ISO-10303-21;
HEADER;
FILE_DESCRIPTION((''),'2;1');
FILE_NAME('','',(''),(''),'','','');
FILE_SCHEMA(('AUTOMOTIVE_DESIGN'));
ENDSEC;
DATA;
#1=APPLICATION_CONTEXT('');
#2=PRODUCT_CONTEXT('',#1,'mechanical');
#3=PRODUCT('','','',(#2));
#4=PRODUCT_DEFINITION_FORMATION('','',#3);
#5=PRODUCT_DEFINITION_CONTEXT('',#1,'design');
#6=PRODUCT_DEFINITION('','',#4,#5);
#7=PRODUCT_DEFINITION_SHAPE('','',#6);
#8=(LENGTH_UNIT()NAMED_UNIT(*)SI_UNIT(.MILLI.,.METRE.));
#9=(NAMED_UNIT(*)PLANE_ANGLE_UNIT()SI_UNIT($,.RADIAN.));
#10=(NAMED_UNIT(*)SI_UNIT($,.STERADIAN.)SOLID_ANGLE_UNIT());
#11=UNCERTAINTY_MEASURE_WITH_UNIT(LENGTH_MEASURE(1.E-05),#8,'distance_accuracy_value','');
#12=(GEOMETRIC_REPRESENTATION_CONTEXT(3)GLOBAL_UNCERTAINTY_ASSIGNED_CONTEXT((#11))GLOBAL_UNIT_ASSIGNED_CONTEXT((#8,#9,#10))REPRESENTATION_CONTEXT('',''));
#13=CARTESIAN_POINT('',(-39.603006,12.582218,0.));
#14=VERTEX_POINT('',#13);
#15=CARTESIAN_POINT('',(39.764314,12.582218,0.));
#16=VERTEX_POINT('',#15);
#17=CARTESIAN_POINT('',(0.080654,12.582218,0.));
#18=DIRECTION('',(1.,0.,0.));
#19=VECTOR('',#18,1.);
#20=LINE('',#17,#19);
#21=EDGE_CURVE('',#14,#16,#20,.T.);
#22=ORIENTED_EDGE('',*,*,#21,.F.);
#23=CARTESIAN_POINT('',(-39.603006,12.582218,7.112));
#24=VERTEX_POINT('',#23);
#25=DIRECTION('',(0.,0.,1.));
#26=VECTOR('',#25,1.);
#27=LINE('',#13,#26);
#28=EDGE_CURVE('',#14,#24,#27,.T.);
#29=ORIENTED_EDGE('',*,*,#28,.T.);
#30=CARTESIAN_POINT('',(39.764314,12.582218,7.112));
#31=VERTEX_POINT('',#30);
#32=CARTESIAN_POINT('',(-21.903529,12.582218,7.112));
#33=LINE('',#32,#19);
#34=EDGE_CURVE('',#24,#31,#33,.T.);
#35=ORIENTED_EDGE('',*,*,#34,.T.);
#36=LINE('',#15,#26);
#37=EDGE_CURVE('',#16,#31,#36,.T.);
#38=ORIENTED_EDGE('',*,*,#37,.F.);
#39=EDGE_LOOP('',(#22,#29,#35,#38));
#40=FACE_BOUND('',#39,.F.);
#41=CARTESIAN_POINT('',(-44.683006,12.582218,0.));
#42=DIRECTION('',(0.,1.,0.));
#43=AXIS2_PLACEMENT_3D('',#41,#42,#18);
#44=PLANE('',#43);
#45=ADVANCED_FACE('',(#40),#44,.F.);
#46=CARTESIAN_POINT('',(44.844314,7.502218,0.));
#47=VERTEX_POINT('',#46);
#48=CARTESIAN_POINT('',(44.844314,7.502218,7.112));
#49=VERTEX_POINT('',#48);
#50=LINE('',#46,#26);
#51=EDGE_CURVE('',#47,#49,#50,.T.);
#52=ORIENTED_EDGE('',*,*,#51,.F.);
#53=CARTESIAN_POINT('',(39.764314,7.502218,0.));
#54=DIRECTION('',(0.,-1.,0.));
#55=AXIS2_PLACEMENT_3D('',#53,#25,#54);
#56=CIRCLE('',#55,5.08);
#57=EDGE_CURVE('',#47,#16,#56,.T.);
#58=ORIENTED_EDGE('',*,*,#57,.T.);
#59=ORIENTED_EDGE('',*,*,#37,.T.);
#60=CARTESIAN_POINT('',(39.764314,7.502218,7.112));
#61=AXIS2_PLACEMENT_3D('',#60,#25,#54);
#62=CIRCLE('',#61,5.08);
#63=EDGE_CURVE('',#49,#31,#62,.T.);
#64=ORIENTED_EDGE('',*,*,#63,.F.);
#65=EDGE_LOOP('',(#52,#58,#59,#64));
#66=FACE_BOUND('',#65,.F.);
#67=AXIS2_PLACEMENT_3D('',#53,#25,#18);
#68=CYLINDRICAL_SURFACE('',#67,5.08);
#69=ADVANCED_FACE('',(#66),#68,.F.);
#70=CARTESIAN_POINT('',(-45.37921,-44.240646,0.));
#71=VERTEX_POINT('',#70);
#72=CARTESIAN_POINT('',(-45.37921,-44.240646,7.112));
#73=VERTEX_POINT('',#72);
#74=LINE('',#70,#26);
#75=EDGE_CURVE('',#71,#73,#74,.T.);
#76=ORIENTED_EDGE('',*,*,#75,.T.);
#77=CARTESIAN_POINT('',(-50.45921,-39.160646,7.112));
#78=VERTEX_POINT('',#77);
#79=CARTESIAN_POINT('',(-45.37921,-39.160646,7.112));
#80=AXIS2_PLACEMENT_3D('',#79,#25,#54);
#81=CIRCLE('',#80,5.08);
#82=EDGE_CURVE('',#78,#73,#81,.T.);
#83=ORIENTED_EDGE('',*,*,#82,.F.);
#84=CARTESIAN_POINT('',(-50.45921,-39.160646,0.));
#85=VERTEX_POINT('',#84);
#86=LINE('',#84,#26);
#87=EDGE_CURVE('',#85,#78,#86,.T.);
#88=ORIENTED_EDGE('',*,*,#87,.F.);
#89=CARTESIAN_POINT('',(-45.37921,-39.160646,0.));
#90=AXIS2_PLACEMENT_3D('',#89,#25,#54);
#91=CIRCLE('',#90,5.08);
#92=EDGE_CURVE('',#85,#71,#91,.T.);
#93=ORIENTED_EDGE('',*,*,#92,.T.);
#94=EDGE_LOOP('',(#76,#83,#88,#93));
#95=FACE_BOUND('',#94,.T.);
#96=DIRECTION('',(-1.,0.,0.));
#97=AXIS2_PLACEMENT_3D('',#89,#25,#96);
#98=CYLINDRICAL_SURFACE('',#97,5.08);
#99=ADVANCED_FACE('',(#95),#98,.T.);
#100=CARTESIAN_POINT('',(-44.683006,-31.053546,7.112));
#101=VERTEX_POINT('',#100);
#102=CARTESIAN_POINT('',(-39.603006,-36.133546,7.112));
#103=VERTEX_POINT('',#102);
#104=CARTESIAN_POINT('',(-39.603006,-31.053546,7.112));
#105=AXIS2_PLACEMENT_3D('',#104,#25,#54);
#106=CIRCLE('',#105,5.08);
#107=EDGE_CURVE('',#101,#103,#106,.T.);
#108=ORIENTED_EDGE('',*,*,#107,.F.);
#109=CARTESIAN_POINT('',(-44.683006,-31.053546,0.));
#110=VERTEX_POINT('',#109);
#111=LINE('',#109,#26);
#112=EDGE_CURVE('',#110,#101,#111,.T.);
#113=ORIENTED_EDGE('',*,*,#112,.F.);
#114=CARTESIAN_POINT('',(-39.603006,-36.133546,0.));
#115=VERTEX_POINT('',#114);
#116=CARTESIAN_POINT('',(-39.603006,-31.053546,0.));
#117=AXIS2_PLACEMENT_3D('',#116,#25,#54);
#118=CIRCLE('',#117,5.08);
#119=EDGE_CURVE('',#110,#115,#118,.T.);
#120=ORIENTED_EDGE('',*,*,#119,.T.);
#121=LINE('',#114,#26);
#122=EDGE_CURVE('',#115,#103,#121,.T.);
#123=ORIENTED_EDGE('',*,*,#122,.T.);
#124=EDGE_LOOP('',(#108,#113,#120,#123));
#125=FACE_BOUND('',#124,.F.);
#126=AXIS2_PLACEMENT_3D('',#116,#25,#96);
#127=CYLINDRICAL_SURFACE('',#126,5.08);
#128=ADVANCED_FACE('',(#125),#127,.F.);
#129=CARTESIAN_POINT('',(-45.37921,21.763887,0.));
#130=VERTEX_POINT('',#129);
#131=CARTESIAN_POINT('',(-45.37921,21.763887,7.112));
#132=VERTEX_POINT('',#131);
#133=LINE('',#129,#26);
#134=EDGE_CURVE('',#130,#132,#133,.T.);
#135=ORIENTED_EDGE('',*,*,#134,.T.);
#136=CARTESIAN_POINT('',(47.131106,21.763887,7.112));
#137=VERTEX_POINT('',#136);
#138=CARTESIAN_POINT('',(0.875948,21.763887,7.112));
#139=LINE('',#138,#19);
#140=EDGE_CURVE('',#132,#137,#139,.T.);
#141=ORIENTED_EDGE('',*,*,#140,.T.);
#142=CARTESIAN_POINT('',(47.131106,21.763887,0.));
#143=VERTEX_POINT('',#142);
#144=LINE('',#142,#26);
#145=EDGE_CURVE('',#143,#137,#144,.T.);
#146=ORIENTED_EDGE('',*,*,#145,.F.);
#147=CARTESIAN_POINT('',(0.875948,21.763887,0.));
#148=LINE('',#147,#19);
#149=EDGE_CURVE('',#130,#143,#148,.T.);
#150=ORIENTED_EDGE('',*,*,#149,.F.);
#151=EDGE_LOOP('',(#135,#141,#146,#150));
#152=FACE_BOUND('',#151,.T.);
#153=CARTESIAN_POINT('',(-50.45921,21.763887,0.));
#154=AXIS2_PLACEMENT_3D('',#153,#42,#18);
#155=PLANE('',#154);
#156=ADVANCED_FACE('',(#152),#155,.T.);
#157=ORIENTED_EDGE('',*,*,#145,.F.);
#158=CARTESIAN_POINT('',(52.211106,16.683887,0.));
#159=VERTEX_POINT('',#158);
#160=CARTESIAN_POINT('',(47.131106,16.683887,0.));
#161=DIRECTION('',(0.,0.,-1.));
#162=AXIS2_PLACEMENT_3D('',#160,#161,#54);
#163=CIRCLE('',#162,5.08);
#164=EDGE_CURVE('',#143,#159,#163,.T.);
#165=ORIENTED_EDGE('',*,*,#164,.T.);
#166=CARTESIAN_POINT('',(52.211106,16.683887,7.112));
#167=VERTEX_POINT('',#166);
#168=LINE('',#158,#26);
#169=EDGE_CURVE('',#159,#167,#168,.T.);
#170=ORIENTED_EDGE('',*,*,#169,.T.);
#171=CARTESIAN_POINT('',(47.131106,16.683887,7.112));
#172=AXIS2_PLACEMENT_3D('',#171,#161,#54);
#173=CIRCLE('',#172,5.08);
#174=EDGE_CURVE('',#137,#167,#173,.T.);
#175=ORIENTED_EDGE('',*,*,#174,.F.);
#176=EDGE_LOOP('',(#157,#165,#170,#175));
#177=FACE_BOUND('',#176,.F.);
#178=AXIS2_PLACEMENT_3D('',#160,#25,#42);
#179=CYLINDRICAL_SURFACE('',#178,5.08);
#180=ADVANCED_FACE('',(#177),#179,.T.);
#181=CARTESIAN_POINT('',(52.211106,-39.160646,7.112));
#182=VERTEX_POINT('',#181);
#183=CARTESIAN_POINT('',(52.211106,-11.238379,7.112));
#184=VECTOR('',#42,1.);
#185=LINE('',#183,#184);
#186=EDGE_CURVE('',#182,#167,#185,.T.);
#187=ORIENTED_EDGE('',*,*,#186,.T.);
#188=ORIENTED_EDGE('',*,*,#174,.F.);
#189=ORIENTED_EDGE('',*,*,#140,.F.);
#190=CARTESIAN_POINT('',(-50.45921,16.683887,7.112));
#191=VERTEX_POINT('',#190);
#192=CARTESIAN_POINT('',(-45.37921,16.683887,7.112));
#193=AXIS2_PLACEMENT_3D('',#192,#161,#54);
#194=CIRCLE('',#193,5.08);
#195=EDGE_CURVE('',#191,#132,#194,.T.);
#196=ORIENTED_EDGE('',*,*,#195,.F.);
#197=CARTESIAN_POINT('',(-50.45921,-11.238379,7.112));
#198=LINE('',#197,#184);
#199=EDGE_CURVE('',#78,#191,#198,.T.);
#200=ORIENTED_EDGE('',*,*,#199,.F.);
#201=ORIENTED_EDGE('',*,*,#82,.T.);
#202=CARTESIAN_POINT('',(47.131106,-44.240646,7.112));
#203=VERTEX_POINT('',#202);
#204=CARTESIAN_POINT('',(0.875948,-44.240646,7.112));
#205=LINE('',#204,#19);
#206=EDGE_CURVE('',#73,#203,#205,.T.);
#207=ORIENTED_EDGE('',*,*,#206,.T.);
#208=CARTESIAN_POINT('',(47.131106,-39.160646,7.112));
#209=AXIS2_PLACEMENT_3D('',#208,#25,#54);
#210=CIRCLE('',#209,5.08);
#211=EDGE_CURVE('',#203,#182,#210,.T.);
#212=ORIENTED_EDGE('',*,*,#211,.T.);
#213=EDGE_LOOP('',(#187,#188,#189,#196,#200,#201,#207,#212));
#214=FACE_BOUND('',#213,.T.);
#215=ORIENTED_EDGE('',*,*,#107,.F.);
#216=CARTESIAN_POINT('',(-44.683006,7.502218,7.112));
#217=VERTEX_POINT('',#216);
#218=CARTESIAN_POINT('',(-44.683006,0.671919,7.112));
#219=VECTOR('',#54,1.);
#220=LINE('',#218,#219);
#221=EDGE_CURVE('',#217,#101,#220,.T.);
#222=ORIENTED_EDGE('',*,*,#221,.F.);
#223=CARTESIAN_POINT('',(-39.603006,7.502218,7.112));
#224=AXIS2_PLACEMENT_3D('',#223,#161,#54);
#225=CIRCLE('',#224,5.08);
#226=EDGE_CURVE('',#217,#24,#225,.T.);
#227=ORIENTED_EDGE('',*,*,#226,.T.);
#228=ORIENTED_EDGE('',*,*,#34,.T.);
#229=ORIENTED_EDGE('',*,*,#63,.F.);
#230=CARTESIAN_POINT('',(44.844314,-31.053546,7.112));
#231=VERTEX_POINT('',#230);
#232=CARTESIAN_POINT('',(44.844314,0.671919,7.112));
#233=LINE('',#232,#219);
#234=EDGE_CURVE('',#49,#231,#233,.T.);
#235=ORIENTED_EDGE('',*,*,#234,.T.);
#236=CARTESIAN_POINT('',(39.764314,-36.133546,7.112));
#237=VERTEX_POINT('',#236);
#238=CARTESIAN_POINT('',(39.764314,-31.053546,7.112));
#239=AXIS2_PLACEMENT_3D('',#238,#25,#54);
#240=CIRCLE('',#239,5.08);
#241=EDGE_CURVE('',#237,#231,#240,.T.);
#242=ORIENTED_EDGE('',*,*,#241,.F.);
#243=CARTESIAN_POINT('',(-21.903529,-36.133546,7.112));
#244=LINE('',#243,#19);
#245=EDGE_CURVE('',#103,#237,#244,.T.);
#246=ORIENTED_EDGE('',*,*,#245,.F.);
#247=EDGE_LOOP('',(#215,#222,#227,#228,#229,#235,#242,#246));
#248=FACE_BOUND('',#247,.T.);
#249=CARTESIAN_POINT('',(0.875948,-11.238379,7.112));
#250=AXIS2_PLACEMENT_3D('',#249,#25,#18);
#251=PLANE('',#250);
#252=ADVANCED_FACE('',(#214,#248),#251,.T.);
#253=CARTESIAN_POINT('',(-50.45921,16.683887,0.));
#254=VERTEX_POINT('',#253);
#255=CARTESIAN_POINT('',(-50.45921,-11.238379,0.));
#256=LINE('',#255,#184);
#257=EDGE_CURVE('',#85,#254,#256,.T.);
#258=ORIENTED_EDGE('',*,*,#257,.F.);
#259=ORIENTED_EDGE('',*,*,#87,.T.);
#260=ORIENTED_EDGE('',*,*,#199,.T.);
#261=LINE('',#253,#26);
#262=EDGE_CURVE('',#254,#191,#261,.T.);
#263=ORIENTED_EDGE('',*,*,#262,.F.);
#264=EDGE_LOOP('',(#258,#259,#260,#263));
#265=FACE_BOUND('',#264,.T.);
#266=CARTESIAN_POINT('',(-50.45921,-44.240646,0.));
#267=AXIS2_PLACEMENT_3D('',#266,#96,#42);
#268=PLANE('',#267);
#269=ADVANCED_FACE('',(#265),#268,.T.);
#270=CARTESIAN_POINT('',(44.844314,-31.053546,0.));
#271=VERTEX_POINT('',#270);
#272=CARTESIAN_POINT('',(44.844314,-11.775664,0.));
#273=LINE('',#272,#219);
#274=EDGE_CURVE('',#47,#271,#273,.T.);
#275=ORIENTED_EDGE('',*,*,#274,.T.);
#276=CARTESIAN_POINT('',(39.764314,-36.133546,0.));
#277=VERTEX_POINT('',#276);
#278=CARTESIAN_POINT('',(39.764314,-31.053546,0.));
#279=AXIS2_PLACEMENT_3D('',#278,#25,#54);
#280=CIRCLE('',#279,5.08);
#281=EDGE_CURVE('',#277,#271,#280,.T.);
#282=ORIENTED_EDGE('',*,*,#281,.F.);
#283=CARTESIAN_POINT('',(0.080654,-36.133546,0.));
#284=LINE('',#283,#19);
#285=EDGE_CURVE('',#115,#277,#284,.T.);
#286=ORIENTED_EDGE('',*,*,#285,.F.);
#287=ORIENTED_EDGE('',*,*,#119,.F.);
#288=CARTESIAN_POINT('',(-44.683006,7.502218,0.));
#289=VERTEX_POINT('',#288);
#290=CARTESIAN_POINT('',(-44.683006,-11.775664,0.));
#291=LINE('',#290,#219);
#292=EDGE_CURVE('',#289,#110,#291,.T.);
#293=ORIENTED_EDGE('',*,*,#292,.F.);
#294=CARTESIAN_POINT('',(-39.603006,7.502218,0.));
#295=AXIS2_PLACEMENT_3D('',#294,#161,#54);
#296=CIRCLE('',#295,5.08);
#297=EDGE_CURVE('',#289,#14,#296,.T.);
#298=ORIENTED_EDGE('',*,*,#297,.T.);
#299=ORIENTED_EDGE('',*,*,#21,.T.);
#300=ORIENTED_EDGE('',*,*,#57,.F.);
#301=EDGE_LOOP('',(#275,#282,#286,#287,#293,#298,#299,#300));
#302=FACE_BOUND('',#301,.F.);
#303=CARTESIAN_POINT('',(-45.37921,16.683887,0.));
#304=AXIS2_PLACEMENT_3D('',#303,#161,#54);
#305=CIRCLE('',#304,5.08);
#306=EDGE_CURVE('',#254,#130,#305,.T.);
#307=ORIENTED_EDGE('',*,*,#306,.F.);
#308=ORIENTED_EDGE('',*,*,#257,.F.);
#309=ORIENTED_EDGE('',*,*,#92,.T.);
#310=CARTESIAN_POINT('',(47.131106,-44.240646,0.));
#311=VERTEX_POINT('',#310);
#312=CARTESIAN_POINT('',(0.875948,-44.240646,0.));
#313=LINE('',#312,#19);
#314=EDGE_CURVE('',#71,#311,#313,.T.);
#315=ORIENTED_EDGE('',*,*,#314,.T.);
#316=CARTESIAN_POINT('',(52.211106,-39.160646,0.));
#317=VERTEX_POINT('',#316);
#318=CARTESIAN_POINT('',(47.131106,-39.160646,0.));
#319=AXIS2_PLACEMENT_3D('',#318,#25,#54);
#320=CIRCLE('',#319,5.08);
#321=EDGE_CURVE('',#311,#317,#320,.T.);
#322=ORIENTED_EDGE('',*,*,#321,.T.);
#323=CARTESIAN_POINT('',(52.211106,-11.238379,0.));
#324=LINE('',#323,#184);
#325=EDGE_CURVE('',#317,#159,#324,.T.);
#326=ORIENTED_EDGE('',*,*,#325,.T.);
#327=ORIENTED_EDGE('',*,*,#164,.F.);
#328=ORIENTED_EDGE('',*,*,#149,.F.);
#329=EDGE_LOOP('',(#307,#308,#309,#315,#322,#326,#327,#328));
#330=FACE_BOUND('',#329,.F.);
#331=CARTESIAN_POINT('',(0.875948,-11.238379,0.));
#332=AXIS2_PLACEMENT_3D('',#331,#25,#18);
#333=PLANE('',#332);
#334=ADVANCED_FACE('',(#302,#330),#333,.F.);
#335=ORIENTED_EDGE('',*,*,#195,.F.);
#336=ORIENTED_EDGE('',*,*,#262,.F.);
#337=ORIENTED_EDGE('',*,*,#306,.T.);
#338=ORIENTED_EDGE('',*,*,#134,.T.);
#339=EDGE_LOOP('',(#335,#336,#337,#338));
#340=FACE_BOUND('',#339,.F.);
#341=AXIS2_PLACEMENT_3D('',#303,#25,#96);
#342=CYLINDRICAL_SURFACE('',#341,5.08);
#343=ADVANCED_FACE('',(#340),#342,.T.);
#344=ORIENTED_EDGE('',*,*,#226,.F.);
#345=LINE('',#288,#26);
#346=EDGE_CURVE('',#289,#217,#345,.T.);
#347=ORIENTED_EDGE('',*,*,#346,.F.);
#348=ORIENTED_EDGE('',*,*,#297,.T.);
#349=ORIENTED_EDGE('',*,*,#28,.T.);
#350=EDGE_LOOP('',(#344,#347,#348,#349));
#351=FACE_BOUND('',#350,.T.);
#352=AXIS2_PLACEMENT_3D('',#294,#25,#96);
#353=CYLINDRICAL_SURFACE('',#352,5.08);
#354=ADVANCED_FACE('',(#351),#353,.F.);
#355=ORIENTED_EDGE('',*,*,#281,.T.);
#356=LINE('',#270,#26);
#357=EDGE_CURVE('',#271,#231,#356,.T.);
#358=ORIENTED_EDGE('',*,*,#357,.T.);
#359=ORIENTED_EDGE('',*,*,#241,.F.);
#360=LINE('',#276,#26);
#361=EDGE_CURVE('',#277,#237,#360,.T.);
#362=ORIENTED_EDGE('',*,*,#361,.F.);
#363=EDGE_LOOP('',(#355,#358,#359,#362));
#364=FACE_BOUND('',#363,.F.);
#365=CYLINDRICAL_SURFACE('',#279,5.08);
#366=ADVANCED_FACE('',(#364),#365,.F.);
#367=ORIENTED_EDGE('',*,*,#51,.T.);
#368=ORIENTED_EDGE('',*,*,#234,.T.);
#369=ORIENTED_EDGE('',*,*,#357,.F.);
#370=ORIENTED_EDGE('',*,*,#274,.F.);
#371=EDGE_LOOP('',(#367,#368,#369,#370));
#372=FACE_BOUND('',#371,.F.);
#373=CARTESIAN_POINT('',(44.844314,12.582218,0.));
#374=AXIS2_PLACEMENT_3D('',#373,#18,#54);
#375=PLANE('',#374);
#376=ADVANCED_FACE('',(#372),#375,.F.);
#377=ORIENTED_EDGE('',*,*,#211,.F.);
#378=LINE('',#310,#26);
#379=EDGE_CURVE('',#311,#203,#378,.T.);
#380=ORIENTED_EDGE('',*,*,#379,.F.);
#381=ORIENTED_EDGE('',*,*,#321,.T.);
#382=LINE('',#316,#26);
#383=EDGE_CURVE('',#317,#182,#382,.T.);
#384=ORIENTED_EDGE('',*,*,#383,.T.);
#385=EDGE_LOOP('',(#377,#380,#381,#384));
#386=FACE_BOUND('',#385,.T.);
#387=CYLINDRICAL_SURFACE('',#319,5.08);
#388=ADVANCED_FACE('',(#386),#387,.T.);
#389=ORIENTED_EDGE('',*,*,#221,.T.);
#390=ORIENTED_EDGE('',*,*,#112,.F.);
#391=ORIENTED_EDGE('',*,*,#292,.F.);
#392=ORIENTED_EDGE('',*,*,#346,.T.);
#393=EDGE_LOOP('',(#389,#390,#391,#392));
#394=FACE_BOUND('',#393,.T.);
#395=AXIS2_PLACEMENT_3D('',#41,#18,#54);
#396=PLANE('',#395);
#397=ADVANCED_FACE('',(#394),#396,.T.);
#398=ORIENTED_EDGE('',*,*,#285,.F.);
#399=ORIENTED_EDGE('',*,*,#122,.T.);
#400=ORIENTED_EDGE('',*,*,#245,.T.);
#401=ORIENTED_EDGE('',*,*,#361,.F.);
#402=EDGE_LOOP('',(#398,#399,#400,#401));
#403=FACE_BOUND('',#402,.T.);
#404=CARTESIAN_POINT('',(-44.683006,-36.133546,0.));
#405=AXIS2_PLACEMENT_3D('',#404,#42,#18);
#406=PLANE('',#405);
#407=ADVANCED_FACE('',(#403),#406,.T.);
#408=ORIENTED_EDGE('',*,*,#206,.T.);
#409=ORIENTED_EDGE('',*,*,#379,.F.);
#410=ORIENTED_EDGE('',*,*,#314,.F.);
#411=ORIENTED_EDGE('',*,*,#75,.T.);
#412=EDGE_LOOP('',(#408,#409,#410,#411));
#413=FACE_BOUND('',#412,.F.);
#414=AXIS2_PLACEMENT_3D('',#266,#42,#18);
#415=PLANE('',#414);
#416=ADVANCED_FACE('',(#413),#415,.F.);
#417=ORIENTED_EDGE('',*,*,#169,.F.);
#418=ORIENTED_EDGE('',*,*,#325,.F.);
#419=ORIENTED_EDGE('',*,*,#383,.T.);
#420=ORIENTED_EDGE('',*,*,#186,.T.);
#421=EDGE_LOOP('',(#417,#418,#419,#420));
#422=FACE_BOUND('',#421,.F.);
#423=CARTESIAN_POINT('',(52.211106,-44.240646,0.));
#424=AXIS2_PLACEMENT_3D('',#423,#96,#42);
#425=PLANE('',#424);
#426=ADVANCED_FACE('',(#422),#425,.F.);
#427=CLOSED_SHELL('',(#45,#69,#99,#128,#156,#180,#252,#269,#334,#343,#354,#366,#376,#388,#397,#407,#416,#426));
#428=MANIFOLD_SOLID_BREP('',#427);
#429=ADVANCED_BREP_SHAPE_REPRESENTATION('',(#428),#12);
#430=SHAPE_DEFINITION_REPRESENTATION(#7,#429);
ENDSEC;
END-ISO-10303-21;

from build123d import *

# Parameters (mm, degrees)
F0_W       = 102.6703156531
F0_H       = 66.0045333207
F1_DEPTH   = 7.112
F2_W       = 89.5273201168
F2_H       = 48.7157646567
F1_FACE1_W = 102.6703156531
F1_FACE1_H = 66.0045333207
F3_DEPTH   = 7.113
F4_R       = 5.08


with BuildPart() as f1:
    # F0 (on Top) → F1 (new body)
    with BuildSketch(Plane.XY):
        with Locations((0.875947997, -11.2383794039)):
            Rectangle(F0_W, F0_H)
    extrude(amount=F1_DEPTH)

    # F2 (on face) + F1_face1 (on face) → F3 (cut, through all)
    with BuildSketch(Plane(origin=(0, 0, 0), x_dir=(1, 0, 0), z_dir=(0, 0, -1))):
        with Locations((0.0806543976, 11.7756640539)):
            Rectangle(F2_W, F2_H)
    with BuildSketch(Plane(origin=(0.875947997, -11.2383794039, 7.112), x_dir=(1, 0, 0), z_dir=(0, 0, 1))):
        Rectangle(F1_FACE1_W, F1_FACE1_H)
    extrude(amount=-F3_DEPTH, dir=(0, 0, -1), mode=Mode.SUBTRACT)

    # F4
    f4_edges = [f1.edges().sort_by_distance(p)[0] for p in [
        (-50.45921, 21.763887, 3.556),
        (52.211106, 21.763887, 3.556),
        (52.211106, -44.240646, 3.556),
        (-50.45921, -44.240646, 3.556),
        (-44.683006, -36.133546, 3.556),
        (-44.683006, 12.582218, 3.556),
        (44.844314, 12.582218, 3.556),
        (44.844314, -36.133546, 3.556),
    ]]
    fillet(f4_edges, radius=F4_R)


solid = f1.part
